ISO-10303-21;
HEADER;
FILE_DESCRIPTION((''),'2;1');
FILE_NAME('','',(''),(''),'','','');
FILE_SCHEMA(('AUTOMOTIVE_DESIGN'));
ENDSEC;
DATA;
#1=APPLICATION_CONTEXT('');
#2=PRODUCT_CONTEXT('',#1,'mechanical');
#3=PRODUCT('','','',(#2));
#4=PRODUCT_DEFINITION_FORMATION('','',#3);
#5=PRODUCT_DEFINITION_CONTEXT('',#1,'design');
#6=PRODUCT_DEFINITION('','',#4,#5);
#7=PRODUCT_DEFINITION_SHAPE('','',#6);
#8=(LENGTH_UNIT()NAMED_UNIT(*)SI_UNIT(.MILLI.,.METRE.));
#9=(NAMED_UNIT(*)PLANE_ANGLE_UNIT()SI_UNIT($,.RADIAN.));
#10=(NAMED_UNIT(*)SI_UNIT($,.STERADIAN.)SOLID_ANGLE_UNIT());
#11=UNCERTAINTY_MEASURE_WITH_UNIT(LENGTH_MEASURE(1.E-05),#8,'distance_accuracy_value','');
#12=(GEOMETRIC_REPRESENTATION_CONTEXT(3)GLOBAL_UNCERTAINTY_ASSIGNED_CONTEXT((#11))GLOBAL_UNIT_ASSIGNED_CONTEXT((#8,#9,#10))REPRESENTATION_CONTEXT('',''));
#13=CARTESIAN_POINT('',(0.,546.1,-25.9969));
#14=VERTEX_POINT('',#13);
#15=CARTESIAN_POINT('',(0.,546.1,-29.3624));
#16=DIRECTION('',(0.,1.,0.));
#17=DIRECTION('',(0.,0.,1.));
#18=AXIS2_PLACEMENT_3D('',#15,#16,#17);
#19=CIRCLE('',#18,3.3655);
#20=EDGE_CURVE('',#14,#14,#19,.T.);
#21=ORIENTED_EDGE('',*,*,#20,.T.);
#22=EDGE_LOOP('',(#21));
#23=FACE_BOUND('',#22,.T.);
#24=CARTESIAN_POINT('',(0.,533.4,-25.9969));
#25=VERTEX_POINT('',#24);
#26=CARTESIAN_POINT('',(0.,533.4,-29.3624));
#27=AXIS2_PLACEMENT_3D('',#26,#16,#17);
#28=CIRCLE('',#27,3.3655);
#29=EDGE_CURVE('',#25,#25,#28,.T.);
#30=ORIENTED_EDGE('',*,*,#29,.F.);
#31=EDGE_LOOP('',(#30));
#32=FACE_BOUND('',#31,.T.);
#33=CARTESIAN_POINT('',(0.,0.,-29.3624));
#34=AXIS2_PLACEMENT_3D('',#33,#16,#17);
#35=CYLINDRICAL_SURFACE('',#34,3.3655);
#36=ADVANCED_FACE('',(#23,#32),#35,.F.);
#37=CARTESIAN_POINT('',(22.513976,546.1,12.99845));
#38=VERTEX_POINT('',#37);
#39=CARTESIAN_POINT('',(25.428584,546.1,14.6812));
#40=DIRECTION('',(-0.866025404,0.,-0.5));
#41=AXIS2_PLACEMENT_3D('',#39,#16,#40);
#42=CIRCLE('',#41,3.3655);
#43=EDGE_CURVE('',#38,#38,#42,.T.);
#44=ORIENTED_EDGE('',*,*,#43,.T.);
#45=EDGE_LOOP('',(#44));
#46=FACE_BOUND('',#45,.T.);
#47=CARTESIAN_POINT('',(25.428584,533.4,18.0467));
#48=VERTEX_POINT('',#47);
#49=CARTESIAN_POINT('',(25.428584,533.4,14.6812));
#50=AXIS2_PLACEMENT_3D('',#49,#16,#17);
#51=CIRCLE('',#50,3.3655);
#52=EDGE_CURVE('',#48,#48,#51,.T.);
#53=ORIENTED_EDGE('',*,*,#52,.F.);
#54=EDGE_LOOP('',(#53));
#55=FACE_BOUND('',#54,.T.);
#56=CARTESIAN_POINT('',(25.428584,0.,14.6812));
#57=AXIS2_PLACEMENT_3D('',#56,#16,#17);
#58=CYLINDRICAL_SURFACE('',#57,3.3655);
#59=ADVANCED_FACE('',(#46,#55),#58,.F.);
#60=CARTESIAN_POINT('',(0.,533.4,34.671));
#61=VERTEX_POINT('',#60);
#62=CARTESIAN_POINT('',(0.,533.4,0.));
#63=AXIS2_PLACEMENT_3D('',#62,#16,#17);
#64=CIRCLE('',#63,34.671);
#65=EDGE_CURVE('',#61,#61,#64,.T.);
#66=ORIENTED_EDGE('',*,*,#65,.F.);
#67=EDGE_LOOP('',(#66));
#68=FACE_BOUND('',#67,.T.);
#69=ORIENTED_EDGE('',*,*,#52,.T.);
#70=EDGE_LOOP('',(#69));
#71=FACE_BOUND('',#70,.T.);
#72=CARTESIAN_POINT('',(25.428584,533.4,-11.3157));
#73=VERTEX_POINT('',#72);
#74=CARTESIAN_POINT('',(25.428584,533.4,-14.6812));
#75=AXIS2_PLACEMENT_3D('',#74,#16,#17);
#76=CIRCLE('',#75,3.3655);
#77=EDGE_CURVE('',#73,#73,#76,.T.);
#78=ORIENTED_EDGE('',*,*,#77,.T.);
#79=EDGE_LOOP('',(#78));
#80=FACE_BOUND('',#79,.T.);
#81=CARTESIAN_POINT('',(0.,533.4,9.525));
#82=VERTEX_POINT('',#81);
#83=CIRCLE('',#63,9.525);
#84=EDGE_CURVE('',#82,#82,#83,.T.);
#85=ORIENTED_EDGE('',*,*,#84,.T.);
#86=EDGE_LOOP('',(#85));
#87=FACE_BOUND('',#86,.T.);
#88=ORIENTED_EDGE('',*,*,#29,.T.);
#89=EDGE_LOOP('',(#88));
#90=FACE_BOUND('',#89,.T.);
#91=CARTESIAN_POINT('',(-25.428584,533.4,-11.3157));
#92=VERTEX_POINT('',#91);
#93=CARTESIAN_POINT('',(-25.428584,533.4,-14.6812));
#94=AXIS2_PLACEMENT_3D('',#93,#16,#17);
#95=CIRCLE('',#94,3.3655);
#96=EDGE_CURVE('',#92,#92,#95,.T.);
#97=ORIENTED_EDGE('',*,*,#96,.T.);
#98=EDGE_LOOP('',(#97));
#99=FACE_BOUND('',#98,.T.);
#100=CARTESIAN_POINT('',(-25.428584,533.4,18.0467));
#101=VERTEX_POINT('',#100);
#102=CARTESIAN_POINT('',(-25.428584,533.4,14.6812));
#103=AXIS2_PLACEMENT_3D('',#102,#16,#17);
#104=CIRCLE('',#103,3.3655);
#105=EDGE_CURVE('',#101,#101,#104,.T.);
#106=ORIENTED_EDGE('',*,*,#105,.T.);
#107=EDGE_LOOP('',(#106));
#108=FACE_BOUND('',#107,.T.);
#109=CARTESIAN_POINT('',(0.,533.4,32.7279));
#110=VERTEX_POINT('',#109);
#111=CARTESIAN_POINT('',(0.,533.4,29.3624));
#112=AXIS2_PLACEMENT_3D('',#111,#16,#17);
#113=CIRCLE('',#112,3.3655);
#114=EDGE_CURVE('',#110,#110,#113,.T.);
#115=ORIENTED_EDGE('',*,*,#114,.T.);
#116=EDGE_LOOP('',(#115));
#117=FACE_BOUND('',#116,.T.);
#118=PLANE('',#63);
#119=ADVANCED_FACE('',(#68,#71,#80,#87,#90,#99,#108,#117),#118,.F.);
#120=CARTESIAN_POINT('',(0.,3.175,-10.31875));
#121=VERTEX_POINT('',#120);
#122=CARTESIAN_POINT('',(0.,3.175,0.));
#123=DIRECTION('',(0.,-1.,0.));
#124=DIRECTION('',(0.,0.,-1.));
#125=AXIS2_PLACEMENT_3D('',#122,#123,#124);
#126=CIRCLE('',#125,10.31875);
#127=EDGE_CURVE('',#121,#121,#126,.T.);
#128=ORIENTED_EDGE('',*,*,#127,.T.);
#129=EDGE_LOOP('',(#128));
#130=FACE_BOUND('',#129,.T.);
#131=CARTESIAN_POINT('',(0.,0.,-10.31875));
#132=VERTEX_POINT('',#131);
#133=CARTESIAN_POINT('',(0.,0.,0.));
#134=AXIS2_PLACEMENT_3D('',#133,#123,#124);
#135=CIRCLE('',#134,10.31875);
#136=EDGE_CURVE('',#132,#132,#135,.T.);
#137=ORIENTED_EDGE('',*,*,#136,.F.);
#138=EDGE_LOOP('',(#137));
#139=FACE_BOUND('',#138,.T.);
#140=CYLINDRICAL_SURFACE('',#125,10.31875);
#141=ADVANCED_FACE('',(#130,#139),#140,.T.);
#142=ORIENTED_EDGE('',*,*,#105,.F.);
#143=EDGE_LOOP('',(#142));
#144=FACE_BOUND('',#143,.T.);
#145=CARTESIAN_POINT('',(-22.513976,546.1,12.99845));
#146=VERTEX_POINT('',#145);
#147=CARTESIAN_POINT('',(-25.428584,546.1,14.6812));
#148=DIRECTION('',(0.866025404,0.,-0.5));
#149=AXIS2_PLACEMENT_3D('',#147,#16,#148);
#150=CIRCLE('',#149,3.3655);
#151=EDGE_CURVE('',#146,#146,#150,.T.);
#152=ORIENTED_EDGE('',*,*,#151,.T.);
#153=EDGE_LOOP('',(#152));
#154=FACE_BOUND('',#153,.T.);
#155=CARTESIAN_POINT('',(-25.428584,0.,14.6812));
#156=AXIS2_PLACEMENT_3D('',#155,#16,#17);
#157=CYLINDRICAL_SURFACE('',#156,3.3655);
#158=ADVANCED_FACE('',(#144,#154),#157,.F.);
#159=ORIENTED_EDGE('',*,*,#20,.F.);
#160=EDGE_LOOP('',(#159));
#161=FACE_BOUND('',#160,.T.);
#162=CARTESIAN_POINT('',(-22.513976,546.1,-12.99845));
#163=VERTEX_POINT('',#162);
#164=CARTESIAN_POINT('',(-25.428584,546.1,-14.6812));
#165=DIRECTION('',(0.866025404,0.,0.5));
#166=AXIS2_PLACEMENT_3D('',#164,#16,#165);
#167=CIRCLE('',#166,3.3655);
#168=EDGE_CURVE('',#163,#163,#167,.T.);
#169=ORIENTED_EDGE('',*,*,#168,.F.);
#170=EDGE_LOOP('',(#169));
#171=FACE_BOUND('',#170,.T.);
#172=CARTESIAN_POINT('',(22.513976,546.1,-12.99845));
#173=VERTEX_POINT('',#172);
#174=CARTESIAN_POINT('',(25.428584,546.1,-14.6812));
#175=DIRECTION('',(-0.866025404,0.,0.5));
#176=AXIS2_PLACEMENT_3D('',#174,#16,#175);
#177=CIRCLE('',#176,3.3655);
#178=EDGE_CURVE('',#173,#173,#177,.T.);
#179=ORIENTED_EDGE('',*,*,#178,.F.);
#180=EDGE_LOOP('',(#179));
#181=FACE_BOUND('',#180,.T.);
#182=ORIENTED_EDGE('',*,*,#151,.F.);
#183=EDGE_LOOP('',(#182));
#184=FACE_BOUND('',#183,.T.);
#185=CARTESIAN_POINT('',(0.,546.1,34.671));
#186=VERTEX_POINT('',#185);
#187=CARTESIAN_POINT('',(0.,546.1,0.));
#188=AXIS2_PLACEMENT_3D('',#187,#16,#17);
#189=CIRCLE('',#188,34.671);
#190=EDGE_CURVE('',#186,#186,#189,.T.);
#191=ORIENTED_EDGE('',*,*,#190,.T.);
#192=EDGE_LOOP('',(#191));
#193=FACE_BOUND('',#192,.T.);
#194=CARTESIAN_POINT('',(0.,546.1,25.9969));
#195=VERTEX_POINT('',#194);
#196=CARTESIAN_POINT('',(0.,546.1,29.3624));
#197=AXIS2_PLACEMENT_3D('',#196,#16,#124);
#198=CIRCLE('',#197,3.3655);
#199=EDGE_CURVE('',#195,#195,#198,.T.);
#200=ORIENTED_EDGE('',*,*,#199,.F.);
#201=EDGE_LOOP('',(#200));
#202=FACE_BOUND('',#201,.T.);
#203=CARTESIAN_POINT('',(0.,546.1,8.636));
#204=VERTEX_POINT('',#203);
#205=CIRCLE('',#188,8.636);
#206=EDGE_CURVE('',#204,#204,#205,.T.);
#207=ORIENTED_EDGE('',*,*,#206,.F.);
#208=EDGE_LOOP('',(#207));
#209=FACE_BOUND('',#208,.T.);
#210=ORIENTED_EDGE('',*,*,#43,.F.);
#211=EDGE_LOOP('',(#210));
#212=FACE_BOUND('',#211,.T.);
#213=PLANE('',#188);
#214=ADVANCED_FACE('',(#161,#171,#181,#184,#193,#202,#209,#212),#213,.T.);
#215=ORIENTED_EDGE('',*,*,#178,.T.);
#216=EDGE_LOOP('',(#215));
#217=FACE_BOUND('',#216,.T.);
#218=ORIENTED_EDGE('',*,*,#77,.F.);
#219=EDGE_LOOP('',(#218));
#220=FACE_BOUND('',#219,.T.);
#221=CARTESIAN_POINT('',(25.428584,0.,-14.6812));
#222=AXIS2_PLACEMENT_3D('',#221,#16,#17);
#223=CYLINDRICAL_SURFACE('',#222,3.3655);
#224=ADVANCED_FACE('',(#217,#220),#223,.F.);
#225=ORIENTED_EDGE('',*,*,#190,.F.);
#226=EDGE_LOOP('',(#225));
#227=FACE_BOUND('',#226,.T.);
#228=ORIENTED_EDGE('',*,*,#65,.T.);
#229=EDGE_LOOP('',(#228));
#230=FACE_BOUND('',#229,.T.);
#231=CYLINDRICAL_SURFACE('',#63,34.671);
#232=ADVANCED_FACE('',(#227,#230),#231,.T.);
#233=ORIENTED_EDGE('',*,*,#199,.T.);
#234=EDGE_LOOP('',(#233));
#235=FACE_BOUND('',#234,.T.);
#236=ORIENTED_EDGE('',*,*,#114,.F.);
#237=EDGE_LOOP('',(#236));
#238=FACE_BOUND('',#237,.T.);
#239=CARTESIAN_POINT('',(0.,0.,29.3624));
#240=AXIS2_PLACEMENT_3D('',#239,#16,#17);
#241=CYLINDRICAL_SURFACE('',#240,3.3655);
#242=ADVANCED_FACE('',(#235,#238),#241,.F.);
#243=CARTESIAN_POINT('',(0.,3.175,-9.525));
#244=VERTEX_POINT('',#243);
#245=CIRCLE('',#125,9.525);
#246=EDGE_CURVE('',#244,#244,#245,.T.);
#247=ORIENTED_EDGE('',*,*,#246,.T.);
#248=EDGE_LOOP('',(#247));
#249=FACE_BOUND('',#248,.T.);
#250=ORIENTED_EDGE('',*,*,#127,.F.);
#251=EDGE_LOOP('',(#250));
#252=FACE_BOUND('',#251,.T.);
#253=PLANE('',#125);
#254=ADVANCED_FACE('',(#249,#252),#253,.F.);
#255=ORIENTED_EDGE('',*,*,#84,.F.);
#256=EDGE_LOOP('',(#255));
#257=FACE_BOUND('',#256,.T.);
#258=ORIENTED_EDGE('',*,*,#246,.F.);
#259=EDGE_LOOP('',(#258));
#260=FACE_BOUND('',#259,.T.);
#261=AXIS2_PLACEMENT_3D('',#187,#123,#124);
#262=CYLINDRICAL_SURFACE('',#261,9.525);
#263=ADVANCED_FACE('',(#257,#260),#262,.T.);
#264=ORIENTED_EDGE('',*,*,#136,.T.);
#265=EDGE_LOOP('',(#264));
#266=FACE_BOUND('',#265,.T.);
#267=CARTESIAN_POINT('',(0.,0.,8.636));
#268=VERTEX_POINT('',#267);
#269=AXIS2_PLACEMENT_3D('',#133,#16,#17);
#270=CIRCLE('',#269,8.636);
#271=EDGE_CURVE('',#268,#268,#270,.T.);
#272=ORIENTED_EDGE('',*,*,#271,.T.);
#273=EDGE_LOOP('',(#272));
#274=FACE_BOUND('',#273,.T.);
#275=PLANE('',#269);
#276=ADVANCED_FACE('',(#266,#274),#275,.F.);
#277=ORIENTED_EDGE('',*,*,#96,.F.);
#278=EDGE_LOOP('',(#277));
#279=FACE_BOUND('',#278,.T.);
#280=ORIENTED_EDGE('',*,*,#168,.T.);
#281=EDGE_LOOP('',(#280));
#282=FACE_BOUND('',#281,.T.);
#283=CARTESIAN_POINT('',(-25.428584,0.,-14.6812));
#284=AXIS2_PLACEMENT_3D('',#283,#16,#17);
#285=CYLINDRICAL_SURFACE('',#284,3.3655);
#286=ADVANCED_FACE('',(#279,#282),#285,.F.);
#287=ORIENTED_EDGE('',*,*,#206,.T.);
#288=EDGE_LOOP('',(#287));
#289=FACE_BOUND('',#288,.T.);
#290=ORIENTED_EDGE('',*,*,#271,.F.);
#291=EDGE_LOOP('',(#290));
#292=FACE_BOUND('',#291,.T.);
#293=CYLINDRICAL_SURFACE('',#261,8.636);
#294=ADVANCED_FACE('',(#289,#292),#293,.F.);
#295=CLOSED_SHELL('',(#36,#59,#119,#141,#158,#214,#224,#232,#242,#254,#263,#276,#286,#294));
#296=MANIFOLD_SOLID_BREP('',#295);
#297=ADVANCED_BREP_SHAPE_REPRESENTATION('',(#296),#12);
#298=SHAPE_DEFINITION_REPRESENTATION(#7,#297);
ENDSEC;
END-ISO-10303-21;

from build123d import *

# Parameters (mm, degrees)
SKETCH1_R         = 9.525
SKETCH1_R_2       = 8.636
EXTRUDE1_DEPTH    = 546.1
EXTRUDE2_START    = -12.7
SKETCH2_R         = 34.671
SKETCH2_R_2       = 8.636
EXTRUDE2_DEPTH    = 12.7
SKETCH3_R         = 3.3655
EXTRUDE3_DEPTH    = 549.296786861
CIRPATTERN1_COUNT = 6
SKETCH4_R         = 10.31875
SKETCH4_R_2       = 8.636
EXTRUDE4_DEPTH    = 3.175


with BuildPart() as part:
    # Sketch1 → Extrude1 (new body)
    with BuildSketch(Plane(origin=(0, 0, 0), x_dir=(1, 0, 0), z_dir=(0, 1, 0))):
        with Locations(Location((0, 0, 0), (0, 0, 270))):
            Circle(SKETCH1_R)
        with Locations(Location((0, 0, 0), (0, 0, 270))):
            Circle(SKETCH1_R_2, mode=Mode.SUBTRACT)
    extrude(amount=EXTRUDE1_DEPTH)

    # Sketch2 → Extrude2 (add)
    with BuildSketch(Plane(origin=(0, 546.1, 0), x_dir=(1, 0, 0), z_dir=(0, 1, 0)).offset(EXTRUDE2_START)):
        with Locations(Location((0, 0, 0), (0, 0, 270))):
            Circle(SKETCH2_R)
        with Locations(Location((0, 0, 0), (0, 0, 270))):
            Circle(SKETCH2_R_2, mode=Mode.SUBTRACT)
    extrude(amount=EXTRUDE2_DEPTH)

    # Sketch3 → Extrude3 (cut, through all)
    with BuildSketch(Plane(origin=(0, 546.1, 0), x_dir=(1, 0, 0), z_dir=(0, 1, 0))):
        with Locations(Location((0, 29.3624, 0), (0, 0, 270))):
            Circle(SKETCH3_R)
    extrude3 = extrude(amount=-EXTRUDE3_DEPTH, mode=Mode.SUBTRACT)

    # CirPattern1: Extrude3 ×6 about axis
    cirpattern1_axis = Axis((0, 0, 0), (0, 1, 0))
    for i in range(1, CIRPATTERN1_COUNT):
        add(extrude3.rotate(cirpattern1_axis, i * 360 / CIRPATTERN1_COUNT), mode=Mode.SUBTRACT)

    # Sketch4 → Extrude4 (add)
    with BuildSketch(Plane.XZ):
        with Locations(Location((0, 0, 0), (0, 0, 270))):
            Circle(SKETCH4_R)
        with Locations(Location((0, 0, 0), (0, 0, 90))):
            Circle(SKETCH4_R_2, mode=Mode.SUBTRACT)
    extrude(amount=-EXTRUDE4_DEPTH)


solid = part.part
